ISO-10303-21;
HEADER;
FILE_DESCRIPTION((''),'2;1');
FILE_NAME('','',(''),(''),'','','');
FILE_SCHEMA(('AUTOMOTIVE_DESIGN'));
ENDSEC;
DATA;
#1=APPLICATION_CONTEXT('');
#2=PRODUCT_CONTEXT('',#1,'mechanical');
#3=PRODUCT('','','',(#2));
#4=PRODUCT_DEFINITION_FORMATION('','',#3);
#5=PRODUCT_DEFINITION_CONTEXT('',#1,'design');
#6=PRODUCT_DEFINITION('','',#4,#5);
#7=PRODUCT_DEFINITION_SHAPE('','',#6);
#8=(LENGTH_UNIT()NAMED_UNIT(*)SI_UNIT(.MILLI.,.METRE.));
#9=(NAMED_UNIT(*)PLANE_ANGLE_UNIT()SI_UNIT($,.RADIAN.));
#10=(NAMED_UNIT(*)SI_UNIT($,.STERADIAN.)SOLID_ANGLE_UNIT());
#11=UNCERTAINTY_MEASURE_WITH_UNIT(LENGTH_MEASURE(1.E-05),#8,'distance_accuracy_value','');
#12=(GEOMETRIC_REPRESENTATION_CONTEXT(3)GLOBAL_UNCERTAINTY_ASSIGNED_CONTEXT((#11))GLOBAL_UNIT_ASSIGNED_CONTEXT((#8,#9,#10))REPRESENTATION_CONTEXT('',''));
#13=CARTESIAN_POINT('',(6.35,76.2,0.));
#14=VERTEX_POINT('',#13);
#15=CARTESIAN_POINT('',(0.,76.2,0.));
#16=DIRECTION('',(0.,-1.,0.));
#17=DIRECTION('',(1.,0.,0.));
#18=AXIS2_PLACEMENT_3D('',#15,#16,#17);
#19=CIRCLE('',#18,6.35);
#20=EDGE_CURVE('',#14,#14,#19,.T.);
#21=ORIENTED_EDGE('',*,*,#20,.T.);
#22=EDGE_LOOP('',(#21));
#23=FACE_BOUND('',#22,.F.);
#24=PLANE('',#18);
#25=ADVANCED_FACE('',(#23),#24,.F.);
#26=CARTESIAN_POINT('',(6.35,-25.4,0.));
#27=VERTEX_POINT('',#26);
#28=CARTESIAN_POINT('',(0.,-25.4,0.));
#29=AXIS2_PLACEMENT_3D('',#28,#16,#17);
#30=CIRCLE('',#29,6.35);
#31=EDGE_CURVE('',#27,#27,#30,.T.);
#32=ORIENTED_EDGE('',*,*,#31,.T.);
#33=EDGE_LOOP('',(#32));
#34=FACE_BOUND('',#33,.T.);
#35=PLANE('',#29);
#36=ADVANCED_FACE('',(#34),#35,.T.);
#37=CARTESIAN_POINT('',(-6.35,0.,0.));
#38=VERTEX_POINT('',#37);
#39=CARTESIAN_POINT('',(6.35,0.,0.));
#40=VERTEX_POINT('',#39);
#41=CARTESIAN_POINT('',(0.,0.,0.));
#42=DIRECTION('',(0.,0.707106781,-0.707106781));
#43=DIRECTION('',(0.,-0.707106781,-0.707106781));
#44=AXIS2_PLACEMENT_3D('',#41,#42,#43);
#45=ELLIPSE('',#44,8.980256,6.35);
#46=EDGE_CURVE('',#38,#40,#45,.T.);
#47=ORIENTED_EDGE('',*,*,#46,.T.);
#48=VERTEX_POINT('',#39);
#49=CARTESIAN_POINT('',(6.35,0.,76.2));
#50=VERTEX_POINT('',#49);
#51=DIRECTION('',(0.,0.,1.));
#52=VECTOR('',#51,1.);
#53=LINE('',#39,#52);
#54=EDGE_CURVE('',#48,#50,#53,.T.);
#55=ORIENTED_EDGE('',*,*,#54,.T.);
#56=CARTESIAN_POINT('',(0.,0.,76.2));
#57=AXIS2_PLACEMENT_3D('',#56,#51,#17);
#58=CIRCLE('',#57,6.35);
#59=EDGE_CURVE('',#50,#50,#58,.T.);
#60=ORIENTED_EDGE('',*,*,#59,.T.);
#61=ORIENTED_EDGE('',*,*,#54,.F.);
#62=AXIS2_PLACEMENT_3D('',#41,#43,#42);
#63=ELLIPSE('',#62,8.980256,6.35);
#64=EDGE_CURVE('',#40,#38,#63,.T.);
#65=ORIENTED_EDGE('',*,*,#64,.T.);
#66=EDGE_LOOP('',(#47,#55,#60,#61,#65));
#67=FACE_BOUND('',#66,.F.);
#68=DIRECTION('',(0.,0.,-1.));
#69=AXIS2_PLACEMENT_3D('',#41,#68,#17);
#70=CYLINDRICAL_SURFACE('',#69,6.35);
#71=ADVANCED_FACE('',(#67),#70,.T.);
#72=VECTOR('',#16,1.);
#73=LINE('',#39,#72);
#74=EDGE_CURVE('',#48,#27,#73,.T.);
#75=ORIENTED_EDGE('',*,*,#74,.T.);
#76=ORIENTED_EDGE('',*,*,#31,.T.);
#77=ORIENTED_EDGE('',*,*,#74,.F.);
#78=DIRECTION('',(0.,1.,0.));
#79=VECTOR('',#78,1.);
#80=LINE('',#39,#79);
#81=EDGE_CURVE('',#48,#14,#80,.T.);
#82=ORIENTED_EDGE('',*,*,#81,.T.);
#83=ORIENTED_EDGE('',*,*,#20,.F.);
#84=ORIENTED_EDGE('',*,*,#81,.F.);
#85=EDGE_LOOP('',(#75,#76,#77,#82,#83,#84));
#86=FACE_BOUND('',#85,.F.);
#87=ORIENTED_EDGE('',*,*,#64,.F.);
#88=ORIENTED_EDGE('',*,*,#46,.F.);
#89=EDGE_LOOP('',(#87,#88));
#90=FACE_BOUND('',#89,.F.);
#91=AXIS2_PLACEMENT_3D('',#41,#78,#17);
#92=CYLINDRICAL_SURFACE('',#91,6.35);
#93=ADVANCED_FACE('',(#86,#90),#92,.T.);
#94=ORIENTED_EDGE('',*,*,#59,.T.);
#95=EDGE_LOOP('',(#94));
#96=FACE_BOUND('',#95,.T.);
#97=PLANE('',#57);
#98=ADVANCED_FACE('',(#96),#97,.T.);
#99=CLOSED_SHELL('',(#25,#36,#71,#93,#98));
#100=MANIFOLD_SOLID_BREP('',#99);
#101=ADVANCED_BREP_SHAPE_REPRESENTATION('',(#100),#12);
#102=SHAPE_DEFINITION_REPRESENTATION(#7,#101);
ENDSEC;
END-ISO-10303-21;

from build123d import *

# Parameters (mm, degrees)
F0_R          = 6.35
F1_DEPTH      = 76.2
F2_R          = 6.35
F3_DEPTH      = 76.2
F3_DEPTH_BACK = 25.4


with BuildPart() as f1:
    # F0 (on Top) → F1 (new body)
    with BuildSketch(Plane.XY):
        Circle(F0_R)
    extrude(amount=F1_DEPTH)

    # F2 (on Front) → F3 (join, two sides)
    with BuildSketch(Plane.XZ) as f3_sk:
        Circle(F2_R)
    extrude(amount=-F3_DEPTH)
    extrude(f3_sk.sketch, amount=F3_DEPTH_BACK)


solid = f1.part
